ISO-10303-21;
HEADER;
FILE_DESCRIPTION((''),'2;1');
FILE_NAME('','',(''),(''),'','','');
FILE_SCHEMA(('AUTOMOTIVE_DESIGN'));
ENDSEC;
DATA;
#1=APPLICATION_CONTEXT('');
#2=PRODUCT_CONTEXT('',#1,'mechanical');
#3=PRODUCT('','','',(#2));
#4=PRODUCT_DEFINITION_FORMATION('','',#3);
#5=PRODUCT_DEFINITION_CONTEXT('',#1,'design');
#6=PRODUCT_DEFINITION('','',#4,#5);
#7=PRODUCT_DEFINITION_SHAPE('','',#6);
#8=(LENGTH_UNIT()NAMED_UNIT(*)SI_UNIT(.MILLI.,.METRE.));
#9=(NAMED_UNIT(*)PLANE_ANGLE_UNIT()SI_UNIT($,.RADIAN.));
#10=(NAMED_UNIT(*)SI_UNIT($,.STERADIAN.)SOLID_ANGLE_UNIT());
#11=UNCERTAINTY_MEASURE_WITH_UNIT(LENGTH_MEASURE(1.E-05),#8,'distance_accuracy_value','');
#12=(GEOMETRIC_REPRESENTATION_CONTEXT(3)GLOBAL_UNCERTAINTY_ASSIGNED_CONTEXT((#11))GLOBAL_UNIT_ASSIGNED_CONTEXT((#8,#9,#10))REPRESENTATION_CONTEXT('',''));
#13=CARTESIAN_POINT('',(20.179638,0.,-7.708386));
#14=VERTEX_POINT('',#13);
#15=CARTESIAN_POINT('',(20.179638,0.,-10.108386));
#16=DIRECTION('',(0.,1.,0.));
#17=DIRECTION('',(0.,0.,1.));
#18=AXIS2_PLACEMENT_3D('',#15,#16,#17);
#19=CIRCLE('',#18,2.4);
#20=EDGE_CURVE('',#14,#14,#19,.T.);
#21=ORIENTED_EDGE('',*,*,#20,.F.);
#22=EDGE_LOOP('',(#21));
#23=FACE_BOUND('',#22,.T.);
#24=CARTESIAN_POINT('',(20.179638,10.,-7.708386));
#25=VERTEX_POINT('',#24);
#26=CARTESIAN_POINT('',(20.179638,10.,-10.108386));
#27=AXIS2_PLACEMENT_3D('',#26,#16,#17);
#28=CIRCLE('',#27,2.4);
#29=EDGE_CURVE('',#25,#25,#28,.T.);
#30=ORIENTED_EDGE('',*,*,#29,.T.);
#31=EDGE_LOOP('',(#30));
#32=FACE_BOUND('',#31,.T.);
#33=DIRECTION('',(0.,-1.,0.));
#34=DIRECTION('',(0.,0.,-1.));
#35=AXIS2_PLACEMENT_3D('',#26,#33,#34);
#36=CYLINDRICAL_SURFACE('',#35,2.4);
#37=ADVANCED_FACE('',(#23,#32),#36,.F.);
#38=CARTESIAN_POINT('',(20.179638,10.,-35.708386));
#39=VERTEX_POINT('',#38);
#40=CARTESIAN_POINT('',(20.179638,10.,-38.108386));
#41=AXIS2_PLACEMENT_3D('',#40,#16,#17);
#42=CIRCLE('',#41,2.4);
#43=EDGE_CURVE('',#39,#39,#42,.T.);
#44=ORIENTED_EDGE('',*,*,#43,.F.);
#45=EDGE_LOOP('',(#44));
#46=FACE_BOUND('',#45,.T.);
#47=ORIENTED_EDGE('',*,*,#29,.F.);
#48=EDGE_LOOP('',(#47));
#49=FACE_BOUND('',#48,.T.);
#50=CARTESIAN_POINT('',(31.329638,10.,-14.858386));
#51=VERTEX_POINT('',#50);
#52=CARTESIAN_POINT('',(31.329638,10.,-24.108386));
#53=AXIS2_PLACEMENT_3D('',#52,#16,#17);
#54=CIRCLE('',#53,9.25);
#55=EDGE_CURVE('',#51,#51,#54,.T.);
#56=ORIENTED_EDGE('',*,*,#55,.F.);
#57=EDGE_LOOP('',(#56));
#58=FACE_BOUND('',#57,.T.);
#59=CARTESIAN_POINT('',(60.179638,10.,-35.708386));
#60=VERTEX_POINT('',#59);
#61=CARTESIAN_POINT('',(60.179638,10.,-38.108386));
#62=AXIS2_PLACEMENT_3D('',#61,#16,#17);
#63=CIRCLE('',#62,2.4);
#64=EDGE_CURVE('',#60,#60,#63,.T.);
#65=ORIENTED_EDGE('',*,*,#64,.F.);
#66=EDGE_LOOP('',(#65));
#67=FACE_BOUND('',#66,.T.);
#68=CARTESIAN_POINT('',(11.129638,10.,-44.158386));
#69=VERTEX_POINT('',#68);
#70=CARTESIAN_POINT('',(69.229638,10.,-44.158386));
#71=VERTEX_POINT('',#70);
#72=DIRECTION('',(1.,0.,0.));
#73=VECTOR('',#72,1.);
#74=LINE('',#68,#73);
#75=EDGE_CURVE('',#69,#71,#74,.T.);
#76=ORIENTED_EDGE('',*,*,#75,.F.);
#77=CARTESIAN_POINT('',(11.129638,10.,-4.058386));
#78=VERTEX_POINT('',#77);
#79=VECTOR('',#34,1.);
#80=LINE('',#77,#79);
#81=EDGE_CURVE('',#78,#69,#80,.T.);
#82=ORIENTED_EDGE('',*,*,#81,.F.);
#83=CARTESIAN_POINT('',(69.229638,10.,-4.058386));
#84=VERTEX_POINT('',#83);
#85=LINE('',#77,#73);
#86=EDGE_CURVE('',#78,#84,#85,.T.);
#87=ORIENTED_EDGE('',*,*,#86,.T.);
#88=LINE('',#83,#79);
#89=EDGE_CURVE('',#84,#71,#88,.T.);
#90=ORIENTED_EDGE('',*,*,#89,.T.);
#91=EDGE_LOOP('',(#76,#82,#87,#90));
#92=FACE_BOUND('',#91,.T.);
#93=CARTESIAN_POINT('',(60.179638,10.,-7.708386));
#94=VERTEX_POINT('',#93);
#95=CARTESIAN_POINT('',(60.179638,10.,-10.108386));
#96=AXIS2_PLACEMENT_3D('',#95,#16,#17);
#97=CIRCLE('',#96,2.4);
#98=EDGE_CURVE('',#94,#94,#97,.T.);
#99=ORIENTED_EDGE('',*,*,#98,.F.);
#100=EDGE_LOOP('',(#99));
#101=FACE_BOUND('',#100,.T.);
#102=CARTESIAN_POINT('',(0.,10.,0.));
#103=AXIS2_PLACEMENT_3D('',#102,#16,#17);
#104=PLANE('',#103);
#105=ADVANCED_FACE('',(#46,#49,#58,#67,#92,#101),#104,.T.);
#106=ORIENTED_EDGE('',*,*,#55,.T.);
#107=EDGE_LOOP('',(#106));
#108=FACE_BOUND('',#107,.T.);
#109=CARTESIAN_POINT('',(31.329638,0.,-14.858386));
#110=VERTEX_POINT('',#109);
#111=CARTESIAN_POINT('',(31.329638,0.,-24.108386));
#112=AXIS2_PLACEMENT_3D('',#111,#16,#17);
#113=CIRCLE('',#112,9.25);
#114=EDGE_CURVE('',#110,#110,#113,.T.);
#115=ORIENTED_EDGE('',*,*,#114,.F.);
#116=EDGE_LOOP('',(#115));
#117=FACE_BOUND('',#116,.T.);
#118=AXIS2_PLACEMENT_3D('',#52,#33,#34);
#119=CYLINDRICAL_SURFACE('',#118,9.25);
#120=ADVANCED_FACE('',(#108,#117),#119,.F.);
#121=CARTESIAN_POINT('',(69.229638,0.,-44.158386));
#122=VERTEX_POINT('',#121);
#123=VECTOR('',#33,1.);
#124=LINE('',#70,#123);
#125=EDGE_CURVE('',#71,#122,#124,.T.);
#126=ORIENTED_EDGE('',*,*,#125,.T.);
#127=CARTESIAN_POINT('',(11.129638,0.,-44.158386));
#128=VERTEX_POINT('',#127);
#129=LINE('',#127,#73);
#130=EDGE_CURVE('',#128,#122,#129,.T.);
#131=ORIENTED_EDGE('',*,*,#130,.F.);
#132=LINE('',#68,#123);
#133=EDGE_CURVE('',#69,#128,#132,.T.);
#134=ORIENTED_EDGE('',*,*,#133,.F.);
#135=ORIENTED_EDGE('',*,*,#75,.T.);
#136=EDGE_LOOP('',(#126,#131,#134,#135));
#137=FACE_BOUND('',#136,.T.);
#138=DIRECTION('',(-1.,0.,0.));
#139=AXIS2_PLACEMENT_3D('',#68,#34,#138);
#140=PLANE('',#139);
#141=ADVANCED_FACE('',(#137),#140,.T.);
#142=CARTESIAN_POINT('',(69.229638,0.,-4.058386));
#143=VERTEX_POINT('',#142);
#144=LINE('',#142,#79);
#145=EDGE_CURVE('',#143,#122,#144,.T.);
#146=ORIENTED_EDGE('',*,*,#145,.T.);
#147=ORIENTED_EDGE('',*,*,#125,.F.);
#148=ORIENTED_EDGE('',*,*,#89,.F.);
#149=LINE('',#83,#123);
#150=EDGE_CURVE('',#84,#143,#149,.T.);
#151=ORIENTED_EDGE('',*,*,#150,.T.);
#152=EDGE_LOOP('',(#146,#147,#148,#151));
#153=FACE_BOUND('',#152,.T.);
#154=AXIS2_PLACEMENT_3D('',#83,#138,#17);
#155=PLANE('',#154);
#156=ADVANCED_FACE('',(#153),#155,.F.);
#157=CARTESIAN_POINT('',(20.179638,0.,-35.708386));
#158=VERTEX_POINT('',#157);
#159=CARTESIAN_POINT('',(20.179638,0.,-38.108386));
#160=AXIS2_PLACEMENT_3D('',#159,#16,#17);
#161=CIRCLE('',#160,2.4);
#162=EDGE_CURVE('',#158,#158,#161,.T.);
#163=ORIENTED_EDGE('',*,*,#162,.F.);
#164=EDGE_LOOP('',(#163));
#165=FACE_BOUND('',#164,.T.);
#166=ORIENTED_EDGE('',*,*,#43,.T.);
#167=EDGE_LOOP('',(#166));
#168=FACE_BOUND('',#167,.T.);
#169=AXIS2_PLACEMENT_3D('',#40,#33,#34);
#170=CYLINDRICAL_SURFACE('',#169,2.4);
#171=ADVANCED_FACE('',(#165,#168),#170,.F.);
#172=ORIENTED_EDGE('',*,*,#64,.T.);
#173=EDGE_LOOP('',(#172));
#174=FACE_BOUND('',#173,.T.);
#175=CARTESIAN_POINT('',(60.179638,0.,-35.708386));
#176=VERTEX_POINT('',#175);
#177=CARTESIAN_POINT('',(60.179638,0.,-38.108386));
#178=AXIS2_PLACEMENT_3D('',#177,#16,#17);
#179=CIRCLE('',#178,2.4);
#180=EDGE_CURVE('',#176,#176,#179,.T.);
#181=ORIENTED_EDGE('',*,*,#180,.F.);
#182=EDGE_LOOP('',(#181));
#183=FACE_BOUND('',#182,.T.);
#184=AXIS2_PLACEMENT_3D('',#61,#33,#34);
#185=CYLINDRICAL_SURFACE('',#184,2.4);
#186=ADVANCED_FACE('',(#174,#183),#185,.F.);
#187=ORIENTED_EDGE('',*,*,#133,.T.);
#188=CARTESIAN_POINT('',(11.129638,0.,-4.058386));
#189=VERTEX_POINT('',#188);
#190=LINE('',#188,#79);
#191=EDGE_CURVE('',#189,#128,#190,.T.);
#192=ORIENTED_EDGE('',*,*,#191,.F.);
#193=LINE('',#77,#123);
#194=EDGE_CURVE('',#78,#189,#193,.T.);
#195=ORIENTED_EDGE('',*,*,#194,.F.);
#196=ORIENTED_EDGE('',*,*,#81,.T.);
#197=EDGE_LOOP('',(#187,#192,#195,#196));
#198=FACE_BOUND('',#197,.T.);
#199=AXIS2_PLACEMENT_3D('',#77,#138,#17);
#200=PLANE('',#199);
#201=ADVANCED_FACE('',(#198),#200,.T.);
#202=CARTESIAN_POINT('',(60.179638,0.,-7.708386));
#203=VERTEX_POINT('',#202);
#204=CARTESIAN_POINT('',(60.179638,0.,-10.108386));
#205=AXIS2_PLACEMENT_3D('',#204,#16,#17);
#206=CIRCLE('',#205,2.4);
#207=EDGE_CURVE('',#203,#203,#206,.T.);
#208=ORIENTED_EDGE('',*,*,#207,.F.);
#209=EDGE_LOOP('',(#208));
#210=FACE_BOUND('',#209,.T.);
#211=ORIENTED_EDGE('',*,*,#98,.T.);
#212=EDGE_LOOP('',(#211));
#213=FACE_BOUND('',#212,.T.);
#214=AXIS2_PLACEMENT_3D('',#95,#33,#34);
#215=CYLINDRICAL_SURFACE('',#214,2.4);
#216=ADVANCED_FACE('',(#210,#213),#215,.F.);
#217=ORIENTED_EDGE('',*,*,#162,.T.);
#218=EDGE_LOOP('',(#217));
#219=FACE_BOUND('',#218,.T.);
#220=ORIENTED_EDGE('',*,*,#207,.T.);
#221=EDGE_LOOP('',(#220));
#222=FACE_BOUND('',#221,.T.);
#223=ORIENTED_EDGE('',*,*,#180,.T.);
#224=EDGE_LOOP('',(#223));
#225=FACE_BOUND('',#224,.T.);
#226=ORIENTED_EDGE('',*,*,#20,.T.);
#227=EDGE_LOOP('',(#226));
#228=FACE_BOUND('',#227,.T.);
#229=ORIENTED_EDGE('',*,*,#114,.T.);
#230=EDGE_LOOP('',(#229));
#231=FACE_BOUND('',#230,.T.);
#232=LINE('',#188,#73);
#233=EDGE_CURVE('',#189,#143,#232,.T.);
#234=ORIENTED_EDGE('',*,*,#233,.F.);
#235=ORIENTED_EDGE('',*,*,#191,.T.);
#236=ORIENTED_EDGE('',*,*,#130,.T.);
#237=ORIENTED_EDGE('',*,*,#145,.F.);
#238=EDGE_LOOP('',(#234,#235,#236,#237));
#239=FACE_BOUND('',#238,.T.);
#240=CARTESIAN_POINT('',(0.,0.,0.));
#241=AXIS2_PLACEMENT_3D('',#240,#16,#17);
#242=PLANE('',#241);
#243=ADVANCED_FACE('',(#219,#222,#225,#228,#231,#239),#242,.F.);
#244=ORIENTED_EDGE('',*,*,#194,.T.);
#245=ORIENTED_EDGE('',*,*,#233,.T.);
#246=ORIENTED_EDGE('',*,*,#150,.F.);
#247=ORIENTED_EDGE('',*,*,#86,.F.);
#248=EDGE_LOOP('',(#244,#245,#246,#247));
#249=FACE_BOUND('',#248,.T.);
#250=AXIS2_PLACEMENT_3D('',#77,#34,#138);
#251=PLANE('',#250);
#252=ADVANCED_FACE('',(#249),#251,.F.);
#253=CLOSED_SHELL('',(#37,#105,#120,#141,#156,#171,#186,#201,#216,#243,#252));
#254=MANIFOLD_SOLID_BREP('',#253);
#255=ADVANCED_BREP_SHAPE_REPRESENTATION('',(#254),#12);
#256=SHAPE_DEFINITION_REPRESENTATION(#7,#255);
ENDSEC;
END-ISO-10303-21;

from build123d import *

# Parameters (mm, degrees)
SKETCH1_W           = 58.1
SKETCH1_H           = 40.1
BOSS_EXTRUDE1_DEPTH = 10
SKETCH1_7_R         = 9.25
CUT_EXTRUDE1_DEPTH  = 10
SKETCH1_8_R         = 2.4
CUT_EXTRUDE2_DEPTH  = 10


with BuildPart() as part:
    # Sketch1 → Boss-Extrude1 (new body)
    with BuildSketch(Plane(origin=(0, 0, 0), x_dir=(1, 0, 0), z_dir=(0, 1, 0))):
        with Locations((40.179637899, 24.108385802)):
            Rectangle(SKETCH1_W, SKETCH1_H)
    extrude(amount=BOSS_EXTRUDE1_DEPTH)

    # Sketch1<7> → Cut-Extrude1 (cut)
    with BuildSketch(Plane(origin=(0, 0, 0), x_dir=(1, 0, 0), z_dir=(0, 1, 0))):
        with Locations((31.329637899, 24.108385802)):
            Circle(SKETCH1_7_R)
    extrude(amount=CUT_EXTRUDE1_DEPTH, mode=Mode.SUBTRACT)

    # Sketch1<8> → Cut-Extrude2 (cut)
    with BuildSketch(Plane(origin=(0, 0, 0), x_dir=(1, 0, 0), z_dir=(0, 1, 0))):
        with Locations((20.179637899, 38.108385802)):
            Circle(SKETCH1_8_R)
        with Locations((60.179637899, 38.108385802)):
            Circle(SKETCH1_8_R)
        with Locations((20.179637899, 10.108385802)):
            Circle(SKETCH1_8_R)
        with Locations((60.179637899, 10.108385802)):
            Circle(SKETCH1_8_R)
    extrude(amount=CUT_EXTRUDE2_DEPTH, mode=Mode.SUBTRACT)


solid = part.part
